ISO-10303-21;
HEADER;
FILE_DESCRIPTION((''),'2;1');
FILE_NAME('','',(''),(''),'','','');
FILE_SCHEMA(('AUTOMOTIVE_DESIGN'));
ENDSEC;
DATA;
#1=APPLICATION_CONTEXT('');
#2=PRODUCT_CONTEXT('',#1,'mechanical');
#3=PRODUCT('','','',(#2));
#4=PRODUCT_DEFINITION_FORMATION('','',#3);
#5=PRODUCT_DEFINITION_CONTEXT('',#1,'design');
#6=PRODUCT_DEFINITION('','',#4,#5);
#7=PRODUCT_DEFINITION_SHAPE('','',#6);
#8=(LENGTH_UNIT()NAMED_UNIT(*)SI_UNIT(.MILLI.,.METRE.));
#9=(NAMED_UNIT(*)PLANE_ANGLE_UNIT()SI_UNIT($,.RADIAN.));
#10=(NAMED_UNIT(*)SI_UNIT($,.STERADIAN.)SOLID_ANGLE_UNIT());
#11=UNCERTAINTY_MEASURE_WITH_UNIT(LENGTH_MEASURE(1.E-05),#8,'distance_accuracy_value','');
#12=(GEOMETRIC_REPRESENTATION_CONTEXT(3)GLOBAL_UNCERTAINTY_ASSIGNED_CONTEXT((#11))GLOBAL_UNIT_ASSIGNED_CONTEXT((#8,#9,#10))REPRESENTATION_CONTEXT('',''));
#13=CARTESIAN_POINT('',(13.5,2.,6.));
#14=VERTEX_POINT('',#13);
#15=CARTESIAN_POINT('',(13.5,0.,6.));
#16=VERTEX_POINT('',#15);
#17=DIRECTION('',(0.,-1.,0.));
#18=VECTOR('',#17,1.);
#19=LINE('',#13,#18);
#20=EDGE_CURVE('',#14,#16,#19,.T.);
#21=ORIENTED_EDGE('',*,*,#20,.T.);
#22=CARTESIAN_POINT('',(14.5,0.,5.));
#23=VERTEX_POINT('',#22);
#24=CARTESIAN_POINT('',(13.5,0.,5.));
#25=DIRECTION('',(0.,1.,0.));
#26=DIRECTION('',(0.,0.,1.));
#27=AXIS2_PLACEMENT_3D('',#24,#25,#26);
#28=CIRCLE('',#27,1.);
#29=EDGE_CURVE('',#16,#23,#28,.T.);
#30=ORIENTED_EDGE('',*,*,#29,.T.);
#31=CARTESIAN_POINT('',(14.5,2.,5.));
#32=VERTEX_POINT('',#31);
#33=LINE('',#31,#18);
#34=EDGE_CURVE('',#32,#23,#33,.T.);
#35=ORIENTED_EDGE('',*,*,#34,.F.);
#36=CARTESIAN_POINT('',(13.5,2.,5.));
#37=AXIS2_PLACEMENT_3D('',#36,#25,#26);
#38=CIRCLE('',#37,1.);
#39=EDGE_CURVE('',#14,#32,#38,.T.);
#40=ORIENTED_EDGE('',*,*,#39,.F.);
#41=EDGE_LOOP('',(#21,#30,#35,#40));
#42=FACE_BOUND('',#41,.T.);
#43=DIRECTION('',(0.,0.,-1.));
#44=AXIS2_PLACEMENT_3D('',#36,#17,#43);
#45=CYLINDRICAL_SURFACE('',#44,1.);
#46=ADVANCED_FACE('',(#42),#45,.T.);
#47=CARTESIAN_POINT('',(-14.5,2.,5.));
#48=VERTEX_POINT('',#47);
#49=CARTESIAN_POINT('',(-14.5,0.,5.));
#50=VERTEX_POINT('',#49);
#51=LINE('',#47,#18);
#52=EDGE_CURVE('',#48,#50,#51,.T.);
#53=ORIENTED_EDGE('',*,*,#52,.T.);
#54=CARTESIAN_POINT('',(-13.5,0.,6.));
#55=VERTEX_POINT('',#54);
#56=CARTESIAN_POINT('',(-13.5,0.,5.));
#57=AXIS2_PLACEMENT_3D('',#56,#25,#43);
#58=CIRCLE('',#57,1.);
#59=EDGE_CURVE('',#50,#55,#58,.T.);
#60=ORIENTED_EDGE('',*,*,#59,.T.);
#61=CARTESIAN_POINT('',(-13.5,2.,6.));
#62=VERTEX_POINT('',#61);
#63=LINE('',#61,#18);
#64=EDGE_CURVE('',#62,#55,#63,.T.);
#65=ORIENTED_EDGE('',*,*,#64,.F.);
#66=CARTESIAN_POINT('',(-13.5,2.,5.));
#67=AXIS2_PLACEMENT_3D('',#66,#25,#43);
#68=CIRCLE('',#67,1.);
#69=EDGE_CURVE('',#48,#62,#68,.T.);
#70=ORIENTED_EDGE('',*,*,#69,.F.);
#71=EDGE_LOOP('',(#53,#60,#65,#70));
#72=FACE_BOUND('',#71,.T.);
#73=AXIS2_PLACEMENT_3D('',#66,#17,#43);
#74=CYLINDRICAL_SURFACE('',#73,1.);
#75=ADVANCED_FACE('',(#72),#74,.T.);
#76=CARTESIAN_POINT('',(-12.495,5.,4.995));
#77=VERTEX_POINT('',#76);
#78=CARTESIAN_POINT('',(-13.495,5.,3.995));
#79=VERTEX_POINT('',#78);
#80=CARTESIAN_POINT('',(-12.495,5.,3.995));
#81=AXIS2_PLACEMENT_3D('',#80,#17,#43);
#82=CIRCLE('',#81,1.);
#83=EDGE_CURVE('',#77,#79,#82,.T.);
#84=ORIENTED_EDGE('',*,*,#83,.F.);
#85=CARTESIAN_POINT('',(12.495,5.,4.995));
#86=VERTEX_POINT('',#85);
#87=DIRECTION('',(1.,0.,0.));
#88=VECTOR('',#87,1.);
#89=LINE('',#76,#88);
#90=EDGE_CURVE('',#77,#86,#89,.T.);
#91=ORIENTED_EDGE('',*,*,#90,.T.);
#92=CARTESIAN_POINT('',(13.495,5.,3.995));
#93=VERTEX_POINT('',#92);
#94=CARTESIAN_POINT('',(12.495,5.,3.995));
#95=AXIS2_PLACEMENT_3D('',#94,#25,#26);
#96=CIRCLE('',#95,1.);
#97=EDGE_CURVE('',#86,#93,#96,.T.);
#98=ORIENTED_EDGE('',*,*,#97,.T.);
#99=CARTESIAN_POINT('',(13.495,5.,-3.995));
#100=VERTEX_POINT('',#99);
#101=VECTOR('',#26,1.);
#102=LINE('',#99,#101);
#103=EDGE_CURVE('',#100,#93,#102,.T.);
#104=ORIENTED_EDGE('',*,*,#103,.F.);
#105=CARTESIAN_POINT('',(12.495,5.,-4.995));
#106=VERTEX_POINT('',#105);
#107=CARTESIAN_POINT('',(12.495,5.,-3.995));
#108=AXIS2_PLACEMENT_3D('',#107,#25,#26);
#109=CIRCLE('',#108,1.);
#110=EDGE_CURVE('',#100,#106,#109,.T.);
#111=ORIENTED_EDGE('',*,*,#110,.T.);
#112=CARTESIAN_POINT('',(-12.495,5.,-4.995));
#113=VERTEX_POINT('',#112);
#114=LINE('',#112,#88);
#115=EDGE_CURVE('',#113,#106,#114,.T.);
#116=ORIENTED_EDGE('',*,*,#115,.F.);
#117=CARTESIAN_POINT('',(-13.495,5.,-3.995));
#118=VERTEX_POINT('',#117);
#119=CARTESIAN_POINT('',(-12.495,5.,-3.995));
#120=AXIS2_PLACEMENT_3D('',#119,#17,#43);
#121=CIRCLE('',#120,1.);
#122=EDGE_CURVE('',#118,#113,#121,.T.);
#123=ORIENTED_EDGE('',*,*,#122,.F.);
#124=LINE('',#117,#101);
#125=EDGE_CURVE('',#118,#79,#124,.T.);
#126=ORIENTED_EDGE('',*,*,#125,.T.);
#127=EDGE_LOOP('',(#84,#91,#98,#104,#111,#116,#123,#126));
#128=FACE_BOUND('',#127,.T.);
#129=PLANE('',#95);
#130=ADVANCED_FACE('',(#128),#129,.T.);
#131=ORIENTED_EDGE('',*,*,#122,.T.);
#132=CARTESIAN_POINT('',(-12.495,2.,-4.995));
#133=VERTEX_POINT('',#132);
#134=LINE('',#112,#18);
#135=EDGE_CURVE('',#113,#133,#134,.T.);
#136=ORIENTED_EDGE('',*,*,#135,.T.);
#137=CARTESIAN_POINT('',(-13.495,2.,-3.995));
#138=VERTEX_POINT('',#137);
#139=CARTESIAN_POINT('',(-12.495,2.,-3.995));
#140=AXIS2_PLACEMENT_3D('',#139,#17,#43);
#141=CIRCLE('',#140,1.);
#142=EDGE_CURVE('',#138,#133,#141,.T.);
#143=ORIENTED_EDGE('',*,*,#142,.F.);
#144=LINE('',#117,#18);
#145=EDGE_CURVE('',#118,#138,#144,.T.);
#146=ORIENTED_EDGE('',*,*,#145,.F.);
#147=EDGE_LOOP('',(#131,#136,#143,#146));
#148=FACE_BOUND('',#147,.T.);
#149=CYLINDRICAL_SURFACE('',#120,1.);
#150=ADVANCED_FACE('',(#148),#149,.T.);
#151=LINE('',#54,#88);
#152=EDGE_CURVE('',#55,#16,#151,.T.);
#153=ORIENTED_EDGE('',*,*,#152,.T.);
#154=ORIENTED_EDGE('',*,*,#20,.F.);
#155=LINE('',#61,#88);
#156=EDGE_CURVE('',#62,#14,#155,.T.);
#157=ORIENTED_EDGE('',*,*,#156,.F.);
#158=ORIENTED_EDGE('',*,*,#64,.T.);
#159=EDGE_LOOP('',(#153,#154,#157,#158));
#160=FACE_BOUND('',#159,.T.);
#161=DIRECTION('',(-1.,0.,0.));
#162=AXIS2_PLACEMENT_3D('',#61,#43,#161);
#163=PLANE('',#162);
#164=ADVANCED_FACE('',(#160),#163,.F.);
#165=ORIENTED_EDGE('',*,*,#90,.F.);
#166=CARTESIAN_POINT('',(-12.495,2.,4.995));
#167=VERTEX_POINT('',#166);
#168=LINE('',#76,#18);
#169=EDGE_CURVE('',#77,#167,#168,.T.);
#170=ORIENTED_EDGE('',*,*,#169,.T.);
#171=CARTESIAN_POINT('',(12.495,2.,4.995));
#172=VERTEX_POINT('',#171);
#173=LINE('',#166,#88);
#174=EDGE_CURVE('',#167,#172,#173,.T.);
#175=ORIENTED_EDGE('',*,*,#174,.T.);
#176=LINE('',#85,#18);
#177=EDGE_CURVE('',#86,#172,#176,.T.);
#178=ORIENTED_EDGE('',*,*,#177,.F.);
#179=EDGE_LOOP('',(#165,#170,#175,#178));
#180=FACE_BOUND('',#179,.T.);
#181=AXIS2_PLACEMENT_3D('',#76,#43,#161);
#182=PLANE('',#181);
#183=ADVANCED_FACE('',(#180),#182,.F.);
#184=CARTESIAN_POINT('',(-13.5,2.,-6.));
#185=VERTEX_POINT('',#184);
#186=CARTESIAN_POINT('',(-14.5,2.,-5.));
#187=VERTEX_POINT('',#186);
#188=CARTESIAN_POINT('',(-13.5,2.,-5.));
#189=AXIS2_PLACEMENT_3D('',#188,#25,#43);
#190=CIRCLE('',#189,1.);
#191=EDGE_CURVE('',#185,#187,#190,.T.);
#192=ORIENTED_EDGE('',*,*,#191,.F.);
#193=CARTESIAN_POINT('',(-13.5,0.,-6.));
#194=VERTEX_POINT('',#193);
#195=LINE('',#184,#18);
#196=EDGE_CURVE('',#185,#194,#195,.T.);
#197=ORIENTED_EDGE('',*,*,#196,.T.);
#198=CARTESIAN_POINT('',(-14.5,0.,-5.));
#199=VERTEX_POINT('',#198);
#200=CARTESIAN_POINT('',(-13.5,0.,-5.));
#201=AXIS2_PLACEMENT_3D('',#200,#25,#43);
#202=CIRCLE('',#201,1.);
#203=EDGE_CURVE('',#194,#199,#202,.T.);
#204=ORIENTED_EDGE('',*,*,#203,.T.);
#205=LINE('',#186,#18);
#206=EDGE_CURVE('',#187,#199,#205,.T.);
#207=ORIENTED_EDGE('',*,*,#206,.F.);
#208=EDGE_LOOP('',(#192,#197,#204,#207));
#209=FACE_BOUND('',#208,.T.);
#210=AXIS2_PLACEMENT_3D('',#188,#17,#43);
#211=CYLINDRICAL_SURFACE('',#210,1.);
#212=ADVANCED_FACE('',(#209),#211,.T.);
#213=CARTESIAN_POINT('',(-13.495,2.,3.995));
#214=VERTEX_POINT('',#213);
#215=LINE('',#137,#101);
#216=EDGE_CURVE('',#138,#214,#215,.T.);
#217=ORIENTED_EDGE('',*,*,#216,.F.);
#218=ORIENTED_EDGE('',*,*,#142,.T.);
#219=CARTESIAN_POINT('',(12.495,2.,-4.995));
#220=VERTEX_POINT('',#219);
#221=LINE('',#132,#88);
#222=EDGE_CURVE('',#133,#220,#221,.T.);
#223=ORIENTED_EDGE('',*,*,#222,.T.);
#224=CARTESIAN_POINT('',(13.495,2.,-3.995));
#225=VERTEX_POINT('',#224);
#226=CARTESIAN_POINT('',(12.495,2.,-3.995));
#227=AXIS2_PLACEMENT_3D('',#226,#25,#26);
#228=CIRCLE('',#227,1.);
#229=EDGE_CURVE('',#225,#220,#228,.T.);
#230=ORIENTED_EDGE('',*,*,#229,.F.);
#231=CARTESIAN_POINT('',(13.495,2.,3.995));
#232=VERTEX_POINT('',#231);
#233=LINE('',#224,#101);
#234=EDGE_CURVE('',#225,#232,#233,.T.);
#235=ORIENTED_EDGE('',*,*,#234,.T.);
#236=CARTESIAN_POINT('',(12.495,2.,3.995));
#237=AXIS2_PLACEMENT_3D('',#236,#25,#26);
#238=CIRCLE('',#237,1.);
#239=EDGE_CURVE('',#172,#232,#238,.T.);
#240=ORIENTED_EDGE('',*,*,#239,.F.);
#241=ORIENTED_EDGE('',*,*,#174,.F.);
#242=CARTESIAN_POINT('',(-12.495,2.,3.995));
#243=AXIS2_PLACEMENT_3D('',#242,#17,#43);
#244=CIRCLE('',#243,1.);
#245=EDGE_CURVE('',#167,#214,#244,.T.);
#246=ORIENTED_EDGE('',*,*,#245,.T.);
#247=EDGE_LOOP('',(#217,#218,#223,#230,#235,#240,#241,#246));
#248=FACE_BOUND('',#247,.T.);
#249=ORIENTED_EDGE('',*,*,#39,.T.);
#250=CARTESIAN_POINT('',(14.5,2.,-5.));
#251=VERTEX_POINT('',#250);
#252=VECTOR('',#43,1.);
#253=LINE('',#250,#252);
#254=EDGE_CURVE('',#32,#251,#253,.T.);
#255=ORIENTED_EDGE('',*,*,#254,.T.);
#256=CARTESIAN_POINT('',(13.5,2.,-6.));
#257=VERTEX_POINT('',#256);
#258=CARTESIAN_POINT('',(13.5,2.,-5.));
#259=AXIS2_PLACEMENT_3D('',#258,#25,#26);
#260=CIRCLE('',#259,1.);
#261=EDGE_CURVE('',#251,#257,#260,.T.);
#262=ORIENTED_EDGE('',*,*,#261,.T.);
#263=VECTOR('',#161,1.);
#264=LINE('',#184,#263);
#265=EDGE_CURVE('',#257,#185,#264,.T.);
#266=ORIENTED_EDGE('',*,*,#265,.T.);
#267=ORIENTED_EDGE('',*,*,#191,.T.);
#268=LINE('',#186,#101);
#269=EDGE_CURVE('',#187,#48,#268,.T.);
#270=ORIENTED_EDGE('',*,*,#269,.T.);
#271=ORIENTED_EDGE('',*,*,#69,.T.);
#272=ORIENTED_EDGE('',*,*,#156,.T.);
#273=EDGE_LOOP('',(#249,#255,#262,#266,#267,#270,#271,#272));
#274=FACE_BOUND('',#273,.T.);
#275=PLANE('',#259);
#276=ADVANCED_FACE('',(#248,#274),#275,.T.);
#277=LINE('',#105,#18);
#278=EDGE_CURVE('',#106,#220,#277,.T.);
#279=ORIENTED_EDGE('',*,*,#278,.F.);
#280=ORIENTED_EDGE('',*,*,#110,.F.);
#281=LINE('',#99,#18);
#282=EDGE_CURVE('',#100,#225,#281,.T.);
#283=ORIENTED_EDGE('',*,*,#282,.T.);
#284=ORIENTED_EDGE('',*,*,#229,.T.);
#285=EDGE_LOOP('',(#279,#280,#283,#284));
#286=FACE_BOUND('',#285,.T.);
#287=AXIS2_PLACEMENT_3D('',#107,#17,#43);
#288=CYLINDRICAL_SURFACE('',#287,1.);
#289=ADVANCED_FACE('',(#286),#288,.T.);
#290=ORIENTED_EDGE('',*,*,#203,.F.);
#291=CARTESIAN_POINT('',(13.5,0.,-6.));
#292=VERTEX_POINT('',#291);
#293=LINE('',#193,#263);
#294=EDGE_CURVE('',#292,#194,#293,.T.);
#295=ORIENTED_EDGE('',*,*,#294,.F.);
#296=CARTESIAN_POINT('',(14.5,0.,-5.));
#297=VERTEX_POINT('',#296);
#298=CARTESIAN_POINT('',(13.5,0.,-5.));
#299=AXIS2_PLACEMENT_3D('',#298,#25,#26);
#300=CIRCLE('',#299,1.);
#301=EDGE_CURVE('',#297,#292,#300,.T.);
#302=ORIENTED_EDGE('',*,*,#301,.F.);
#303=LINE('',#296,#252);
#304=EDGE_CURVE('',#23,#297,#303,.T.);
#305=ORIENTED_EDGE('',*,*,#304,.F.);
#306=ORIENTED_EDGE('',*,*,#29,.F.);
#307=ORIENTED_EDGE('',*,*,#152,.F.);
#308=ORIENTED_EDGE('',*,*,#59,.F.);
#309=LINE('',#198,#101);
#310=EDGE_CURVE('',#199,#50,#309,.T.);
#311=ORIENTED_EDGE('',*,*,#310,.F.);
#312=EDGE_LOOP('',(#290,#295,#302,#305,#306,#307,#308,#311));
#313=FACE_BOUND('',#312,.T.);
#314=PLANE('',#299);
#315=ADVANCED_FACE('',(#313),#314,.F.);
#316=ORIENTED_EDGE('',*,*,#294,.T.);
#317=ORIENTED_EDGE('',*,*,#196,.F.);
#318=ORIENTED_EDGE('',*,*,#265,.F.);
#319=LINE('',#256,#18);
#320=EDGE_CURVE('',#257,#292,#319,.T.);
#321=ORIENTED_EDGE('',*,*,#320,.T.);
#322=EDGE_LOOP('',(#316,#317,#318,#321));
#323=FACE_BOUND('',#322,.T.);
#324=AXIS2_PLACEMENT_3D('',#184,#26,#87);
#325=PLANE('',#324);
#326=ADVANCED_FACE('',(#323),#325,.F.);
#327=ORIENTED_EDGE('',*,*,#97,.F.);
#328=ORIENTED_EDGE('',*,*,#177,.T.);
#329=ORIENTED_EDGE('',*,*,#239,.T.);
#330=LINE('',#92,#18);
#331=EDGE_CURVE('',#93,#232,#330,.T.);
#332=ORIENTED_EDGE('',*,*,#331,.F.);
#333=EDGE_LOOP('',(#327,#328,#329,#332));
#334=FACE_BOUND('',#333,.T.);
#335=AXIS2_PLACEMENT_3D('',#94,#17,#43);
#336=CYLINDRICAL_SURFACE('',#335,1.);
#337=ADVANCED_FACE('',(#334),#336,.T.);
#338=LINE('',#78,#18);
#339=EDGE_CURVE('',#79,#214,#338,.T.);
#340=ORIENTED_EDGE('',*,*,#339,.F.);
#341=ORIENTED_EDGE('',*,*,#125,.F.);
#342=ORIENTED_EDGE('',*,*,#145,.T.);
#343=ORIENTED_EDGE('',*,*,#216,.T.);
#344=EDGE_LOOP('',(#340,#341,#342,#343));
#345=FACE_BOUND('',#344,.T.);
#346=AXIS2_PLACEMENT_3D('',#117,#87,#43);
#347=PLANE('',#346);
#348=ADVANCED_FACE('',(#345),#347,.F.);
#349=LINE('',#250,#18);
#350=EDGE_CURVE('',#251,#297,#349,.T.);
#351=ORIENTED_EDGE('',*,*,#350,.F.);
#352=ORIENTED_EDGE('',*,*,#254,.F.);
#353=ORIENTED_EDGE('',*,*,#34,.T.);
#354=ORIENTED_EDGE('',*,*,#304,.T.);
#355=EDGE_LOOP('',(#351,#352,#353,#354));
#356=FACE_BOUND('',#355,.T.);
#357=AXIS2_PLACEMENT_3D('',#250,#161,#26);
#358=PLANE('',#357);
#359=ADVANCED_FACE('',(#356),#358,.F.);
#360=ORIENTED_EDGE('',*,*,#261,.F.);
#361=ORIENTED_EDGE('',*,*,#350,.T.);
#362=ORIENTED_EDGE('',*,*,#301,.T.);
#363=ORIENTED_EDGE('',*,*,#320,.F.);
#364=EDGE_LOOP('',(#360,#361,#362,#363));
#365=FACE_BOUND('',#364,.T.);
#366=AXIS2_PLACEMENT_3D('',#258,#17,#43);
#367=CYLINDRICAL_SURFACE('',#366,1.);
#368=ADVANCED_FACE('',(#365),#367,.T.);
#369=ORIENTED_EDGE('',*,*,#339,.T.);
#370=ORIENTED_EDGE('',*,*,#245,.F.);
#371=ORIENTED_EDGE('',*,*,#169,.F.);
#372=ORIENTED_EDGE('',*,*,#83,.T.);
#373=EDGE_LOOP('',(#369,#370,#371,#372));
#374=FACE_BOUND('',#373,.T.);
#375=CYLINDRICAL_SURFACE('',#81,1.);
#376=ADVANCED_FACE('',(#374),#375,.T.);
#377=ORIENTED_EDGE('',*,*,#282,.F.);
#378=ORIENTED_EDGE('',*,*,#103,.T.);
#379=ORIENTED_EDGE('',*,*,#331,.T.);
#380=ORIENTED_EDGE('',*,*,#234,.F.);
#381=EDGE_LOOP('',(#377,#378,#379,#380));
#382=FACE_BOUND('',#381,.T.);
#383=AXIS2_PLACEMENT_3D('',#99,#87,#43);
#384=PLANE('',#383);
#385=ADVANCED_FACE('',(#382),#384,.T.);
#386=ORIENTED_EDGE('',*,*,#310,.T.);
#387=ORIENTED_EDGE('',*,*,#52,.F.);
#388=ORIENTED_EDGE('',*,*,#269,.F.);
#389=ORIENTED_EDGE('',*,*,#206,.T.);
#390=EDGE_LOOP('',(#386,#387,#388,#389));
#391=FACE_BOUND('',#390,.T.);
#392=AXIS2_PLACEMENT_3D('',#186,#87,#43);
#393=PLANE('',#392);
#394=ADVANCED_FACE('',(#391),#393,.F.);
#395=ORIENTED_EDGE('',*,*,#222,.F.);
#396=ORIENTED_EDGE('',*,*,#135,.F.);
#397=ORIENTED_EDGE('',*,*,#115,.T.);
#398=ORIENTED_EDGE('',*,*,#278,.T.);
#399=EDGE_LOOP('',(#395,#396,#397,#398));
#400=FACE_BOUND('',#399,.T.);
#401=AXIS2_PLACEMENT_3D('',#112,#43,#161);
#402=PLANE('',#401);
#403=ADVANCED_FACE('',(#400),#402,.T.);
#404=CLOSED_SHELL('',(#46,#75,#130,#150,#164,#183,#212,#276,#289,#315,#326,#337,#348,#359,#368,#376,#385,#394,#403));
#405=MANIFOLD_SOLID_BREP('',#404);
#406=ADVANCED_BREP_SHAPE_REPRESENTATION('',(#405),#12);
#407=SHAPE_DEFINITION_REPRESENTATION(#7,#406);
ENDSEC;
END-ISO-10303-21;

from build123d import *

# Parameters (mm, degrees)
BOSS_EXTRUDE1_DEPTH = 2
BOSS_EXTRUDE2_DEPTH = 3


with BuildPart() as part:
    # Sketch1 → Boss-Extrude1 (new body)
    with BuildSketch(Plane(origin=(0, 0, 0), x_dir=(1, 0, 0), z_dir=(0, 1, 0))):
        with BuildLine():
            Line((-13.5, 6), (13.5, 6))
            ThreePointArc((13.5, 6), (14.207106781, 5.707106781), (14.5, 5))
            Line((14.5, 5), (14.5, -5))
            ThreePointArc((14.5, -5), (14.207106781, -5.707106781), (13.5, -6))
            Line((13.5, -6), (-13.5, -6))
            ThreePointArc((-13.5, -6), (-14.207106781, -5.707106781), (-14.5, -5))
            Line((-14.5, -5), (-14.5, 5))
            ThreePointArc((-14.5, 5), (-14.207106781, 5.707106781), (-13.5, 6))
        make_face()
    extrude(amount=BOSS_EXTRUDE1_DEPTH)

    # Sketch2 → Boss-Extrude2 (add)
    with BuildSketch(Plane(origin=(0, 2, 0), x_dir=(1, 0, 0), z_dir=(0, 1, 0))):
        with BuildLine():
            Line((-12.495, 4.995), (12.495, 4.995))
            ThreePointArc((12.495, 4.995), (13.202106781, 4.702106781), (13.495, 3.995))
            Line((13.495, 3.995), (13.495, -3.995))
            ThreePointArc((13.495, -3.995), (13.202106781, -4.702106781), (12.495, -4.995))
            Line((12.495, -4.995), (-12.495, -4.995))
            ThreePointArc((-12.495, -4.995), (-13.202106781, -4.702106781), (-13.495, -3.995))
            Line((-13.495, -3.995), (-13.495, 3.995))
            ThreePointArc((-13.495, 3.995), (-13.202106781, 4.702106781), (-12.495, 4.995))
        make_face()
    extrude(amount=BOSS_EXTRUDE2_DEPTH)


solid = part.part
